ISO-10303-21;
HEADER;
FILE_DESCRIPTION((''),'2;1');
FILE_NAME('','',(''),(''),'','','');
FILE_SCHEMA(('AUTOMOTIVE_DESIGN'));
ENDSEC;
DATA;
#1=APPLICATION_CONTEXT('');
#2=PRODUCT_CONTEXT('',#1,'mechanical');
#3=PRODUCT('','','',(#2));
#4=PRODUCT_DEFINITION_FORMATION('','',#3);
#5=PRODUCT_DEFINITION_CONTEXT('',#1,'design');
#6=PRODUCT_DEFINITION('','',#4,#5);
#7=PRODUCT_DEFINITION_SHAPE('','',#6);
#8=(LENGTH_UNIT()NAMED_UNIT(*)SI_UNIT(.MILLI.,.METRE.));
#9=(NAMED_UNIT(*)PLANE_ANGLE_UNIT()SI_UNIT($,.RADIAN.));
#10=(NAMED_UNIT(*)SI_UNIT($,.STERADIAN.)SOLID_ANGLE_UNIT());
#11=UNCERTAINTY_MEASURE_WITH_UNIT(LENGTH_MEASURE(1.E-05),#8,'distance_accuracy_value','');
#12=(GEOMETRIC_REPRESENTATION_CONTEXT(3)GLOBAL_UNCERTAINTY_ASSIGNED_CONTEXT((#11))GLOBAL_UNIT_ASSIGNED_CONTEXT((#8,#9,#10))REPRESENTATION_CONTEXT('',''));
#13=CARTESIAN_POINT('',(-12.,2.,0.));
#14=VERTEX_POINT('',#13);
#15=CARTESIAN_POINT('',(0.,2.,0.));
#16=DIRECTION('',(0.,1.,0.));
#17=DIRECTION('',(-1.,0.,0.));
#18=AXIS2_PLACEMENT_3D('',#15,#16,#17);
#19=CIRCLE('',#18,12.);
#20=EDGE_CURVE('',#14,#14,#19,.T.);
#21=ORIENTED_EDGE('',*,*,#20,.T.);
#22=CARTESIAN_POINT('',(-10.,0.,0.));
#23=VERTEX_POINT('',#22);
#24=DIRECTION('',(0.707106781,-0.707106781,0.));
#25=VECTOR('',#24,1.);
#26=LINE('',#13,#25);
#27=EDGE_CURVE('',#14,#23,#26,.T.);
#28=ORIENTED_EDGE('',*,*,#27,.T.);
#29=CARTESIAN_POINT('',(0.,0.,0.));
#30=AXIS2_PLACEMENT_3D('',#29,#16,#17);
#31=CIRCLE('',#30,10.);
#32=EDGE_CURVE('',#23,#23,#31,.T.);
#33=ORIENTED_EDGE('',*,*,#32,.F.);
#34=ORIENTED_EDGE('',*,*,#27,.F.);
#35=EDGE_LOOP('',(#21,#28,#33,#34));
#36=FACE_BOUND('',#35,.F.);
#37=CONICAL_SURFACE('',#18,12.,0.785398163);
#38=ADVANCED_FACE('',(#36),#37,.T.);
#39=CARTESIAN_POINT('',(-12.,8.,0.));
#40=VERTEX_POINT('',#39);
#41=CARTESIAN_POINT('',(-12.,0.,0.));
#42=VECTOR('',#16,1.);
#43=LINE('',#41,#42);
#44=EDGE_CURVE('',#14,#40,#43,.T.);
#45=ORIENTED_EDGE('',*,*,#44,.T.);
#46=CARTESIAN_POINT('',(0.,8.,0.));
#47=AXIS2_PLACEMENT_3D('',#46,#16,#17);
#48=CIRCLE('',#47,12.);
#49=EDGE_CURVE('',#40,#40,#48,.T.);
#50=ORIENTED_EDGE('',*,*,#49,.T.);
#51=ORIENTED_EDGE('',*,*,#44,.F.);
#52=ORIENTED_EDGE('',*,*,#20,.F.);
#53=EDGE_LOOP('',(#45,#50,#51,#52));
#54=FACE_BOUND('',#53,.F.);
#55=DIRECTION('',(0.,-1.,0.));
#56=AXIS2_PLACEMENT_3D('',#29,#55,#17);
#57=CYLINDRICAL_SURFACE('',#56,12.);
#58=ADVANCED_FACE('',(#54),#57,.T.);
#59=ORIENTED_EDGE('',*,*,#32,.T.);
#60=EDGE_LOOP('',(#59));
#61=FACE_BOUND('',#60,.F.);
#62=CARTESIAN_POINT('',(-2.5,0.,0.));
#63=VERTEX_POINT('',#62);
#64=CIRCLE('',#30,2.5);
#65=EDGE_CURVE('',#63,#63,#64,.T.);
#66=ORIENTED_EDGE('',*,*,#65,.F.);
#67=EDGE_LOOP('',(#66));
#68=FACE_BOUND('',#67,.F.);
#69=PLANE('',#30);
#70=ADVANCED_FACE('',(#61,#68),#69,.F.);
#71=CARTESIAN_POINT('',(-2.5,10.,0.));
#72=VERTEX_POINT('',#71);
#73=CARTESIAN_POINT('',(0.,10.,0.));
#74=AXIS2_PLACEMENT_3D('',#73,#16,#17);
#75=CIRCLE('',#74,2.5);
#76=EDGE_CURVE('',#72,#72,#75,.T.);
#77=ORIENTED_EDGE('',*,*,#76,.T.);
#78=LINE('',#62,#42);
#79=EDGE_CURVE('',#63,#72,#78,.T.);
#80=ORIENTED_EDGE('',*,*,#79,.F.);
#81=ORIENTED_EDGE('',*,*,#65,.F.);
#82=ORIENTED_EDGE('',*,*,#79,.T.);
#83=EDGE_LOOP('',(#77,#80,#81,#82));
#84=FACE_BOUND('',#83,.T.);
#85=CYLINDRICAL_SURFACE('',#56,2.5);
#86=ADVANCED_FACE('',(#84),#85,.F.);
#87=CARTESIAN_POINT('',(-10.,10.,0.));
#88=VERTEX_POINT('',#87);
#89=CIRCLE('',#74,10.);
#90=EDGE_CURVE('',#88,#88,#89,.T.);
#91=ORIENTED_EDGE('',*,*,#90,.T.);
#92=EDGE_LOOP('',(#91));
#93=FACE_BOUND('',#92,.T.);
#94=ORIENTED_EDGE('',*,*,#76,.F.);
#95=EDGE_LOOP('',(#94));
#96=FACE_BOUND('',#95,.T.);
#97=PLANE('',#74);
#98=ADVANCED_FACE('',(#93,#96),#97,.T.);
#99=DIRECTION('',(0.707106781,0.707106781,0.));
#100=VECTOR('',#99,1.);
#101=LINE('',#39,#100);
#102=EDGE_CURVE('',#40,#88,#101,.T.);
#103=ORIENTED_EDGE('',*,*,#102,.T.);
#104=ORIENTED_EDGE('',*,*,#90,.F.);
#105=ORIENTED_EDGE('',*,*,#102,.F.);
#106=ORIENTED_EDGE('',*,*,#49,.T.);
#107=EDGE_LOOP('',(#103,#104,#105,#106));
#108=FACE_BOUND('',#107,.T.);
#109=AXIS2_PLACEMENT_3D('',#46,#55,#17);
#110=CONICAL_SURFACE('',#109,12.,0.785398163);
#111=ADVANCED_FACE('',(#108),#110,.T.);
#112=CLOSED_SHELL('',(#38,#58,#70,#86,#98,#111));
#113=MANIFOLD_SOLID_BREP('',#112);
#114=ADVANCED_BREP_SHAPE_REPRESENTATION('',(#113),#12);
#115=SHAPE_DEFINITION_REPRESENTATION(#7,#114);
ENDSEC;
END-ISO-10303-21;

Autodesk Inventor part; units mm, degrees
ref_plane "YZ Plane" through (0, 0, 0) normal (1, 0, 0) x (0, 1, 0)
ref_plane "XZ Plane" through (0, 0, 0) normal (0, 1, 0) x (-1, 0, 0)
ref_plane "XY Plane" through (0, 0, 0) normal (0, 0, 1) x (1, 0, 0)
sketch "Sketch1" plane through (0, 0, 0) normal (0, 1, 0) x (-1, 0, 0)
  circle A0 centre (0, 0) radius 12
  circle A1 centre (0, 0) radius 2.5
  dimension "d0" = 24
  dimension "d1" = 5
extrude "Extrusion1" add sketch "Sketch1" along normal blind 10
chamfer "Chamfer1" distance 2 angle 45 2 edges at (12, 10, 0) (12, 0, 0)
properties part number "profile_bearing"
